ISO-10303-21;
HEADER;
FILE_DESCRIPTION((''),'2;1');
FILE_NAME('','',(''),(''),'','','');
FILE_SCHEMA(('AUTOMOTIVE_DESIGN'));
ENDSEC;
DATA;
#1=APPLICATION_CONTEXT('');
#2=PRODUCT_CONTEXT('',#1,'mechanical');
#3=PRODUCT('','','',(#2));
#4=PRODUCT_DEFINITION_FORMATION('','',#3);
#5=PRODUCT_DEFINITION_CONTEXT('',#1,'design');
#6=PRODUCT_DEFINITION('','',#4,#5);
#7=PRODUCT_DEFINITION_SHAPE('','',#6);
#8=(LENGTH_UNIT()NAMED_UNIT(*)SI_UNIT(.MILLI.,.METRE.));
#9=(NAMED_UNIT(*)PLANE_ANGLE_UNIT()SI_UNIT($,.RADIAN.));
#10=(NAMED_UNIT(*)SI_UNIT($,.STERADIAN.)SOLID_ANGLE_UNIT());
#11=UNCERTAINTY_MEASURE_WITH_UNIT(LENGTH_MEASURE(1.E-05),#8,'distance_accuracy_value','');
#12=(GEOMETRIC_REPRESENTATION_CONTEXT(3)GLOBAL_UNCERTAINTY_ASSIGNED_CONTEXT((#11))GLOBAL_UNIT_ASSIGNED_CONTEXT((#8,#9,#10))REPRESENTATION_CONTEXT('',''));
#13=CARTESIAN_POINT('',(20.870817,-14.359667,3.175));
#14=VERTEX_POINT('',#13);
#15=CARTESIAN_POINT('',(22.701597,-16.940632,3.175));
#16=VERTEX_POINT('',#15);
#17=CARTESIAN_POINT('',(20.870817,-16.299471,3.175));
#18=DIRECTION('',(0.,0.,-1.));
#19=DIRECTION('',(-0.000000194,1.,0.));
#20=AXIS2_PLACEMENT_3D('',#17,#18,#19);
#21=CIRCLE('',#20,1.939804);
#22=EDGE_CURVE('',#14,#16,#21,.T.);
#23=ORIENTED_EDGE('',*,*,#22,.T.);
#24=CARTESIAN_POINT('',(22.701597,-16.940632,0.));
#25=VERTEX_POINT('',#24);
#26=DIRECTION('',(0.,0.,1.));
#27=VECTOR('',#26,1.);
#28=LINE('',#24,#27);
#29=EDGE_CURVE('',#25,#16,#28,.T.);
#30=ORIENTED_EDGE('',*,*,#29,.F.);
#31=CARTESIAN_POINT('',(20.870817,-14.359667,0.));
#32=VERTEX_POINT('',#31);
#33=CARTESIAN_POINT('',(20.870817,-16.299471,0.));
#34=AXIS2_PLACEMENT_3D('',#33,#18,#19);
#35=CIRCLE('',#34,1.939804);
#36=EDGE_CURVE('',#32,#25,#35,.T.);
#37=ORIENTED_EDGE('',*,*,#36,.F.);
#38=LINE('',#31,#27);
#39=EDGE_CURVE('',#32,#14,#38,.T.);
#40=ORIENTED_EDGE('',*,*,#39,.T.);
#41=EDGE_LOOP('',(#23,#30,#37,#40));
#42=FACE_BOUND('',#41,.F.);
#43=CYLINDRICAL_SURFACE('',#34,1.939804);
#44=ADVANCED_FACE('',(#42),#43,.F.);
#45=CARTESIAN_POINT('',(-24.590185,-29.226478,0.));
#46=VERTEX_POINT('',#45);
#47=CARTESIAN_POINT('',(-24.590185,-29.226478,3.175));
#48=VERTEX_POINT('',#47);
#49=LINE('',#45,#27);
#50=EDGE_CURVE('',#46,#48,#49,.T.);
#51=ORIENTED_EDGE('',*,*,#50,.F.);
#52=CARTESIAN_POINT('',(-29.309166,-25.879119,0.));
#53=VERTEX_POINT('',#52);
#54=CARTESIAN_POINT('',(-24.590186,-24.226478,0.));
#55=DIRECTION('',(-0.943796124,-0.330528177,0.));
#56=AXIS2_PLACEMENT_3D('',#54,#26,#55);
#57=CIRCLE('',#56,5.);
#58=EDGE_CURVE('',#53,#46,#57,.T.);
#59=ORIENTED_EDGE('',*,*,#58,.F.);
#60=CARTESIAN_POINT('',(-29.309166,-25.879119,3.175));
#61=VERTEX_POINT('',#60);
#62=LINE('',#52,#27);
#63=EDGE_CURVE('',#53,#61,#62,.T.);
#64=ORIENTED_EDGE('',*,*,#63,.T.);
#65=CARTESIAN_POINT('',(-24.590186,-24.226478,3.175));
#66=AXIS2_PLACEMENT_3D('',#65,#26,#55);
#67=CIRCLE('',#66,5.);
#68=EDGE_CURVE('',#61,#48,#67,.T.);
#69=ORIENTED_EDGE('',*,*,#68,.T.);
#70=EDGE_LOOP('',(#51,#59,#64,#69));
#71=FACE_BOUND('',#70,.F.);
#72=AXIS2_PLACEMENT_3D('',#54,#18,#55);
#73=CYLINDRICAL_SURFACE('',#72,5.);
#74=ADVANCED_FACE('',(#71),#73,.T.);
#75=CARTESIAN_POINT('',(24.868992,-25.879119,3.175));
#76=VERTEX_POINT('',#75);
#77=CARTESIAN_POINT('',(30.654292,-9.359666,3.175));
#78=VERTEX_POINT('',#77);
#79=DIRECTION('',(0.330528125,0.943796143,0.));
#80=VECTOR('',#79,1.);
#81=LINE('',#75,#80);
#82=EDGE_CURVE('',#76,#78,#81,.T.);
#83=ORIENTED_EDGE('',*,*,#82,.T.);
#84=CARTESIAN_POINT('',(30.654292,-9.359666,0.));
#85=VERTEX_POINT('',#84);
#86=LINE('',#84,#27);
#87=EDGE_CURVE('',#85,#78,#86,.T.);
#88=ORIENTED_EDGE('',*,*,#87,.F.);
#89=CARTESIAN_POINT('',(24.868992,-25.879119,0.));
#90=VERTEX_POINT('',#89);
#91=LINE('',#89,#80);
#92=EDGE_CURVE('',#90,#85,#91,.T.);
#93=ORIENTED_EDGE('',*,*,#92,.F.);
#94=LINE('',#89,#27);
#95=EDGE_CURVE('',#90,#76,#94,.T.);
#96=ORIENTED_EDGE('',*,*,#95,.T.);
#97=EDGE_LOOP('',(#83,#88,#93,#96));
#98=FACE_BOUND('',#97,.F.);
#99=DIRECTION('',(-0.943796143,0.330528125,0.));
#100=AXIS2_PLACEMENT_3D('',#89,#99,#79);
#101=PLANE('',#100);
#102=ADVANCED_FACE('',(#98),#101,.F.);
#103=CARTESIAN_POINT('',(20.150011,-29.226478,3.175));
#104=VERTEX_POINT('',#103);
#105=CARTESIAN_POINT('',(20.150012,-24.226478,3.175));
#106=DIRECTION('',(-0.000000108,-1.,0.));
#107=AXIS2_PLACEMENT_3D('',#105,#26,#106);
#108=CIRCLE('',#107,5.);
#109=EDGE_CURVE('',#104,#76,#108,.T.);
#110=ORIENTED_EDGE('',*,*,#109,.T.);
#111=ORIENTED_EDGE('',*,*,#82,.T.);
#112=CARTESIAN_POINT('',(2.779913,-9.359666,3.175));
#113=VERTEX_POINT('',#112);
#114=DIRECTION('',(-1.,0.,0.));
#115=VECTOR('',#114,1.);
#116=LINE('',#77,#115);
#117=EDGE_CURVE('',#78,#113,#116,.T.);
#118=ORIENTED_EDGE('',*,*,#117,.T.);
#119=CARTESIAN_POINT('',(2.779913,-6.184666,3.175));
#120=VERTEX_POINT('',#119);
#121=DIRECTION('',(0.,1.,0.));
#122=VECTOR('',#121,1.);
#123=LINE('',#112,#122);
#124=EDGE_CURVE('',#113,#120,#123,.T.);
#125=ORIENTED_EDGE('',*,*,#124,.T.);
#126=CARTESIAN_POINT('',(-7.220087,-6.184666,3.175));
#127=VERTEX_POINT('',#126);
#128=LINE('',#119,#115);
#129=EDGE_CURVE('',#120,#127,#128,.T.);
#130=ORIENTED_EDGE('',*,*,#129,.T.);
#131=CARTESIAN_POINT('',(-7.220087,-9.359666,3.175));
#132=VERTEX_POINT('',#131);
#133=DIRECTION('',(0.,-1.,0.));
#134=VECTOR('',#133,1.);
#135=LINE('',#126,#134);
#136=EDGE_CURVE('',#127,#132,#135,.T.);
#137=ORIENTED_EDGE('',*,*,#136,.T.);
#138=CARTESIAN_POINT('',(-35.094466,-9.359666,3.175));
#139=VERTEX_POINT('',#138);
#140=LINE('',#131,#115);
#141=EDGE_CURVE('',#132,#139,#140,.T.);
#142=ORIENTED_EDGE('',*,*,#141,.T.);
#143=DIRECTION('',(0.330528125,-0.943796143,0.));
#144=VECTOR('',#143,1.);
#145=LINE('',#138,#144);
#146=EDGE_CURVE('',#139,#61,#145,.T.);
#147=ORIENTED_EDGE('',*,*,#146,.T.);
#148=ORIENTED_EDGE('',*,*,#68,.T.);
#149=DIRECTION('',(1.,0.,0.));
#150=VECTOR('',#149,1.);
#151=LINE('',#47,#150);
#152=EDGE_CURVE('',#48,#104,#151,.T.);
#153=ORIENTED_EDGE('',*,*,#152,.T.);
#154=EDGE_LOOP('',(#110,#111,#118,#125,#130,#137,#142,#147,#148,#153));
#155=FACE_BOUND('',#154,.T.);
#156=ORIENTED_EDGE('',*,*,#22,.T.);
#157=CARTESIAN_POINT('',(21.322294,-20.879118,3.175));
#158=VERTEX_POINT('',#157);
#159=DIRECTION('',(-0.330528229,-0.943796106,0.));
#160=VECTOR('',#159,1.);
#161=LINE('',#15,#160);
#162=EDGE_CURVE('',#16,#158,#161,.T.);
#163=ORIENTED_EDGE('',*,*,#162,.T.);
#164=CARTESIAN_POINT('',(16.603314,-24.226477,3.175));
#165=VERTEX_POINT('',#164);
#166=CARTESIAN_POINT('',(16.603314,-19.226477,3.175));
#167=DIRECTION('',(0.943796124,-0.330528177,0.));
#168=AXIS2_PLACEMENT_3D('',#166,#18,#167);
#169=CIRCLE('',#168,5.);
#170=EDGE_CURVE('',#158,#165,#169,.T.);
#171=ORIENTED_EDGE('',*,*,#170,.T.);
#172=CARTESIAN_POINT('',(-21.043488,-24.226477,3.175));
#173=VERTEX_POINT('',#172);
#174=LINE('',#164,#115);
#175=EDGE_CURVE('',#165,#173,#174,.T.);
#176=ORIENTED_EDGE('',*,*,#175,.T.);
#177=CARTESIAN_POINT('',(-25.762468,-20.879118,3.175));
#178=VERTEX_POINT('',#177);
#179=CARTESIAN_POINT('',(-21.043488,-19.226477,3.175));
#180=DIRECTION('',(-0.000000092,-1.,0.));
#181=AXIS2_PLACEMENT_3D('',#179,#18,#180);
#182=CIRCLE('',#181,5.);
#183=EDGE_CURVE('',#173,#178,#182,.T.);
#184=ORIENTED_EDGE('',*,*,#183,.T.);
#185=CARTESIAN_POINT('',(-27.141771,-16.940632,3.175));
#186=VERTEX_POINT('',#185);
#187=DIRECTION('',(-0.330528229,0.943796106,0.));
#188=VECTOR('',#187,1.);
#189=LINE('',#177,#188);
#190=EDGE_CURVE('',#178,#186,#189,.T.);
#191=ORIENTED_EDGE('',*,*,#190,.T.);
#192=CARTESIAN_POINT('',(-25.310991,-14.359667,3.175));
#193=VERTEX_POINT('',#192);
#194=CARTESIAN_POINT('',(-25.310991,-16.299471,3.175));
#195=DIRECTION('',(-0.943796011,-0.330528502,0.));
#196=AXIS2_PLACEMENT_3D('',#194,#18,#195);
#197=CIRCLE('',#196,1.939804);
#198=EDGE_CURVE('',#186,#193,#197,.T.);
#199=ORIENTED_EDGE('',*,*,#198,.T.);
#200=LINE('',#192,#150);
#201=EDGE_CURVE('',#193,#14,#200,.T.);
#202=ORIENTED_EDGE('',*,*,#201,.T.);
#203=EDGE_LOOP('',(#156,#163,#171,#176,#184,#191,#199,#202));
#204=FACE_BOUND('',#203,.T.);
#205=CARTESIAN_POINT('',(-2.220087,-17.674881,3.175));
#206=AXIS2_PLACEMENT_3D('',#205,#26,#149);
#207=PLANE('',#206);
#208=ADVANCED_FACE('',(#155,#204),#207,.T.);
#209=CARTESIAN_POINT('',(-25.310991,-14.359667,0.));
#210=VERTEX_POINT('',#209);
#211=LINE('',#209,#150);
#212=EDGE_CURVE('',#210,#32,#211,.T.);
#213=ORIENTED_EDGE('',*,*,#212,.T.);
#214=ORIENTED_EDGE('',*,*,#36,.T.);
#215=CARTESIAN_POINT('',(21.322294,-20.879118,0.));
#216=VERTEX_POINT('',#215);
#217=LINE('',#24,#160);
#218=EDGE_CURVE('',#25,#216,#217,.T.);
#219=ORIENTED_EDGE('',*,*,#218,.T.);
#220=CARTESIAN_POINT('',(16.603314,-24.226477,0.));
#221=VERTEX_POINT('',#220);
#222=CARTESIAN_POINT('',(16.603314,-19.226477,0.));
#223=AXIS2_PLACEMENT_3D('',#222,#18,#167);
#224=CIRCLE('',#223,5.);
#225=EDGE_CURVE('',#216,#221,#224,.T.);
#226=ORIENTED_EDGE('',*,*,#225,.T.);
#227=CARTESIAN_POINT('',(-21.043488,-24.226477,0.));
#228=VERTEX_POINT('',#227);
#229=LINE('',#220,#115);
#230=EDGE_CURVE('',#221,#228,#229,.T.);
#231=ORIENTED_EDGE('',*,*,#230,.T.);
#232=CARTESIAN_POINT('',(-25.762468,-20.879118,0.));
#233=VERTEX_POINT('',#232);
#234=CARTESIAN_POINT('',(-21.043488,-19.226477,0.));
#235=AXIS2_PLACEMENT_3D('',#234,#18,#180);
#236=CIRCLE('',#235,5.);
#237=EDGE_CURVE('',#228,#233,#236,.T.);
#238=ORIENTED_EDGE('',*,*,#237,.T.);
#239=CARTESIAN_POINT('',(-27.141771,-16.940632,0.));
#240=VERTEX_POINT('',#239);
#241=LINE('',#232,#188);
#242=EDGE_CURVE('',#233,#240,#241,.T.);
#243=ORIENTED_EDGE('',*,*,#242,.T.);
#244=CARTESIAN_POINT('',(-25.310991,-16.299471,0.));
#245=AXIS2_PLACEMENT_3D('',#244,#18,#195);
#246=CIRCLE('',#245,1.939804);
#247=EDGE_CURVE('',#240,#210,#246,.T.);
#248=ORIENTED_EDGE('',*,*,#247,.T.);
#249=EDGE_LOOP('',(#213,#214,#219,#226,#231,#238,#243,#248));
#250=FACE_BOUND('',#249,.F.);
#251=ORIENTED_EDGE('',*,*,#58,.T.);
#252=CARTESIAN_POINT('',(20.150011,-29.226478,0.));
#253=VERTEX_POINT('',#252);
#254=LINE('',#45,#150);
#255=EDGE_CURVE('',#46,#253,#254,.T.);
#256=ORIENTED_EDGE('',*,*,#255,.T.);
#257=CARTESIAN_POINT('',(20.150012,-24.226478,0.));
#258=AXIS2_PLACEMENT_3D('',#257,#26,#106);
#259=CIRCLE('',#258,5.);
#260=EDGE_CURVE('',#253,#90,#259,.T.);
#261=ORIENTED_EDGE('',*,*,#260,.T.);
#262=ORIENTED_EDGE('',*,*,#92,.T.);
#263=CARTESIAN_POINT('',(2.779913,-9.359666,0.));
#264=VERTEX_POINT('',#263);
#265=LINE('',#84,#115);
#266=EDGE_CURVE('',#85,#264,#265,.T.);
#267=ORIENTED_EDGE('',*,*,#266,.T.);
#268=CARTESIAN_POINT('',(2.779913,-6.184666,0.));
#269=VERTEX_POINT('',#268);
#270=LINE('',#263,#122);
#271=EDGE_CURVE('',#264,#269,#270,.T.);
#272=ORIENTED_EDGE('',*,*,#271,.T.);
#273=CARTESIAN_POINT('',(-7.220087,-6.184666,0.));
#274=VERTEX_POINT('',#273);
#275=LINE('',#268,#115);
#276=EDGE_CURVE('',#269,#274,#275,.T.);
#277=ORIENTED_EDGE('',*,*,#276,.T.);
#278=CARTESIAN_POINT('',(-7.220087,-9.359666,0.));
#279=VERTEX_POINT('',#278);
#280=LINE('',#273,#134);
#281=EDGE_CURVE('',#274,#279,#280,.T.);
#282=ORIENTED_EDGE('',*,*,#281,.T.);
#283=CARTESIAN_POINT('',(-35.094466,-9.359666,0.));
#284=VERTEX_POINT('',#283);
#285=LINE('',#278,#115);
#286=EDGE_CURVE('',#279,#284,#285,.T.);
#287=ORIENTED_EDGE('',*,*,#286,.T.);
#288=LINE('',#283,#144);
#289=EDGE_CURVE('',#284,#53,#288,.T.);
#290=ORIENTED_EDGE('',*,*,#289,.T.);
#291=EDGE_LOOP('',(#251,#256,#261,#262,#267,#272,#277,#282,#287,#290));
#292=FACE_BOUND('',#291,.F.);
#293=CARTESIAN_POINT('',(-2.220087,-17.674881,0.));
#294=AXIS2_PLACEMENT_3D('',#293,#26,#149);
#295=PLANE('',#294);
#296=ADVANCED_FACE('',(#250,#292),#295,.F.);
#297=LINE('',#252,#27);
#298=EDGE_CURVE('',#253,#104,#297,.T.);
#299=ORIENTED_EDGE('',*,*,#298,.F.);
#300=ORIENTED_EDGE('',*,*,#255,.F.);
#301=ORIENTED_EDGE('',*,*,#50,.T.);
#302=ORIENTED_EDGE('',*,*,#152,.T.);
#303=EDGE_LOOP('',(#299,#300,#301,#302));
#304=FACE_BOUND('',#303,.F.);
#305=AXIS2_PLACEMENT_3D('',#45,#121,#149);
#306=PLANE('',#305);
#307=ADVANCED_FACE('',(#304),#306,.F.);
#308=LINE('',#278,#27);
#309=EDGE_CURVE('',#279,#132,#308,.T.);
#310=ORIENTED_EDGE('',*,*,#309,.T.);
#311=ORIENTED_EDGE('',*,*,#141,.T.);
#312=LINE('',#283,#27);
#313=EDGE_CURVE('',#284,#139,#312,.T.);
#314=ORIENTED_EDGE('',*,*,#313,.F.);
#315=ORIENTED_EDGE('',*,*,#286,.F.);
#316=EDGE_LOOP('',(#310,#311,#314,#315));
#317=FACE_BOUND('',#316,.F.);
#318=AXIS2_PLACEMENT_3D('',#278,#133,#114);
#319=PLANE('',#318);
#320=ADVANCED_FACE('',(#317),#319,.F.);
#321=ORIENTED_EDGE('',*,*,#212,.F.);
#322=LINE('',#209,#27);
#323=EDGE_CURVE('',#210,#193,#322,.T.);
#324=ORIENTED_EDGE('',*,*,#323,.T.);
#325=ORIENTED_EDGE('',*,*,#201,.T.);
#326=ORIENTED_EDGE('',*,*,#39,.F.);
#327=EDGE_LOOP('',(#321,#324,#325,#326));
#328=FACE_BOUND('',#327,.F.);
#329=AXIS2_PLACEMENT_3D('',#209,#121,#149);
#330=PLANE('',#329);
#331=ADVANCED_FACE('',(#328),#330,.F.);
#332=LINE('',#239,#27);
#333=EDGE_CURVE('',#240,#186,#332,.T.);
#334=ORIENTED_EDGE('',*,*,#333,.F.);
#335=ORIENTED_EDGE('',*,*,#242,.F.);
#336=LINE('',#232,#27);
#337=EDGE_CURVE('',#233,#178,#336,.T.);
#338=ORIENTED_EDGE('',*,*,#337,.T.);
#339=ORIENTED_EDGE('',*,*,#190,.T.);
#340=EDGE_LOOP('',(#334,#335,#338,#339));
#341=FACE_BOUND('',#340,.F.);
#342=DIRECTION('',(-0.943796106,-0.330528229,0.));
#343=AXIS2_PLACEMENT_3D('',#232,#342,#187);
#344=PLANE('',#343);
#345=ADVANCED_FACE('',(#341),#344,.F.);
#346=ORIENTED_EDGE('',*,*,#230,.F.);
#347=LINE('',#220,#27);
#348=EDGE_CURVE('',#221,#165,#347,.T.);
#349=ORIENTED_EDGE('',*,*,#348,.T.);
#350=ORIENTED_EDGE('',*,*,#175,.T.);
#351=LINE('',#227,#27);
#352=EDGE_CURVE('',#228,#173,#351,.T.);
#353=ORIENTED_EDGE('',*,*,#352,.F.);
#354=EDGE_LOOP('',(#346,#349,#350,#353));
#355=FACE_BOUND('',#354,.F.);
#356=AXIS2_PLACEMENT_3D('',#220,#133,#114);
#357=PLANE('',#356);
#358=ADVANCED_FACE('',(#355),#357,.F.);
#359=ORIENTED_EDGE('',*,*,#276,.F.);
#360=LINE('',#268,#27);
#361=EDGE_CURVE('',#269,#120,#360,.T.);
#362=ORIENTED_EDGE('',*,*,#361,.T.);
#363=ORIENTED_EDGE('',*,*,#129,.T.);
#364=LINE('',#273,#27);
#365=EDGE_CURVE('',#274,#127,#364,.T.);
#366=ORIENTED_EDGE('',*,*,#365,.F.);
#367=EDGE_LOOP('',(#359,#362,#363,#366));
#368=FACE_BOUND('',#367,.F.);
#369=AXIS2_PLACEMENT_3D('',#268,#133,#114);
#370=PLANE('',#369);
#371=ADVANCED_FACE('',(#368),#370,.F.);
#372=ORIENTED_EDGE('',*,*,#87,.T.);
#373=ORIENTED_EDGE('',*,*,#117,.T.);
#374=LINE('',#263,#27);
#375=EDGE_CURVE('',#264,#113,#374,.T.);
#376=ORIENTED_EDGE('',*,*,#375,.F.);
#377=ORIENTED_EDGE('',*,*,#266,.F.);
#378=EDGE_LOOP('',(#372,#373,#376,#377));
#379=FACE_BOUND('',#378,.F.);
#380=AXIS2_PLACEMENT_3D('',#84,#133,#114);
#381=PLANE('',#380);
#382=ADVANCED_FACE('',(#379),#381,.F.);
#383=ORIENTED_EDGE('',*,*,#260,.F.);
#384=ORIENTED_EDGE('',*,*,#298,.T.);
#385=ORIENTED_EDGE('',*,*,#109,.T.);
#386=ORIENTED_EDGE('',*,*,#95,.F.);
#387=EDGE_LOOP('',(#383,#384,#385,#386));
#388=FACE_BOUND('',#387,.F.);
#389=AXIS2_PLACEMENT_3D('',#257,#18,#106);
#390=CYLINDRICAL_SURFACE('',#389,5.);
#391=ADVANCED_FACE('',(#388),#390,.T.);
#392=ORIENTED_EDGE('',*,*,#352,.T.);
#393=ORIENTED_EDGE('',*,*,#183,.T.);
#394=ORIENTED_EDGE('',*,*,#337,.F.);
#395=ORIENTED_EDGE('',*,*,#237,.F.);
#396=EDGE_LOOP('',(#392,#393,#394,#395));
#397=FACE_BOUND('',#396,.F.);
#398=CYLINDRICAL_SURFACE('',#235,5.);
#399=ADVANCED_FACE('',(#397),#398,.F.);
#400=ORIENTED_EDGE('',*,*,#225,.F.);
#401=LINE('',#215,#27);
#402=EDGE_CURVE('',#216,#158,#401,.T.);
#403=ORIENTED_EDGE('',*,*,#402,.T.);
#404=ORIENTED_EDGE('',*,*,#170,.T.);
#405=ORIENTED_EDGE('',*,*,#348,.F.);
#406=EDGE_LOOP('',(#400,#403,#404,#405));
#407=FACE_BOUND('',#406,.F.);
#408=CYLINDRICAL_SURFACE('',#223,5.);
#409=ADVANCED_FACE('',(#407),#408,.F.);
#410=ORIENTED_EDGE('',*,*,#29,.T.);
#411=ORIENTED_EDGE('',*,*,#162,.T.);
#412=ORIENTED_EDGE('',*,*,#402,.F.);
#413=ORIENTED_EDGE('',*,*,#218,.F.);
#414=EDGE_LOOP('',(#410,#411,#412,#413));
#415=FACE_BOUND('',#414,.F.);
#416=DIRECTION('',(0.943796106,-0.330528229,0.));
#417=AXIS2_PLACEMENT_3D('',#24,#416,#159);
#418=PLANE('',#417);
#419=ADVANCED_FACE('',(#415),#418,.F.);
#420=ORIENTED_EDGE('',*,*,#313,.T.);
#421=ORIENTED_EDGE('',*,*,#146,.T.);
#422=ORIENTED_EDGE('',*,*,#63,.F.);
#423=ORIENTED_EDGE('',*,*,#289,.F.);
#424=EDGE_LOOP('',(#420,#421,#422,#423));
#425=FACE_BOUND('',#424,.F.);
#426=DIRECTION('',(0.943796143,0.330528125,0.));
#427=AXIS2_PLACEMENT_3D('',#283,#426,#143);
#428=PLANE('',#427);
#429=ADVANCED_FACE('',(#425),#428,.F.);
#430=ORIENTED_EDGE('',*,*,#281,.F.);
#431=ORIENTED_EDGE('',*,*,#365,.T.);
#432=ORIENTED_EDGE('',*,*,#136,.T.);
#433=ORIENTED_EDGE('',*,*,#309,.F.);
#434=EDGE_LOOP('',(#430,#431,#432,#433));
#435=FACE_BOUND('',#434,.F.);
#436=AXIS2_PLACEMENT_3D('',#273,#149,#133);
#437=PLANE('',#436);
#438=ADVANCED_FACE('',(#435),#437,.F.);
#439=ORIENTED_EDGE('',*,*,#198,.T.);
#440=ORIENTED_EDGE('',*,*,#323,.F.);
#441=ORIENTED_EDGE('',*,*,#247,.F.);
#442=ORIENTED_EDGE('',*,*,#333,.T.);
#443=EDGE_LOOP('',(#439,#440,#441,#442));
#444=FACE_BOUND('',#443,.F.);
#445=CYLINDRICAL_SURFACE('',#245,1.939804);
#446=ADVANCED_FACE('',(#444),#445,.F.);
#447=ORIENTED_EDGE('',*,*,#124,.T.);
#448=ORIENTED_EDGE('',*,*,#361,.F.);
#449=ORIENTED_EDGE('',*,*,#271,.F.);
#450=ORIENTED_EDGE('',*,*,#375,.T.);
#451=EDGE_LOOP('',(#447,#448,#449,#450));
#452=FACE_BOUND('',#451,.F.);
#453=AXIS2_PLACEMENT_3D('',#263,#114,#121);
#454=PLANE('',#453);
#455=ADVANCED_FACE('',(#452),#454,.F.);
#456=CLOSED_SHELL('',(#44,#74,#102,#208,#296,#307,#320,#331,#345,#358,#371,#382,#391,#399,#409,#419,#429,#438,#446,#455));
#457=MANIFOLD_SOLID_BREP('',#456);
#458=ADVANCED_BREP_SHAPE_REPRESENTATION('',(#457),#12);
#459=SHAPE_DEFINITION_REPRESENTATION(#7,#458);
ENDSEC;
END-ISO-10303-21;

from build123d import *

# Parameters (mm, degrees)
F1_DEPTH = 3.175


with BuildPart() as f1:
    # F0 (on Top) → F1 (new body)
    with BuildSketch(Plane.XY):
        with BuildLine():
            Line((-7.220087, -9.359666), (-35.094466, -9.359666))
            Line((-35.094466, -9.359666), (-29.309166, -25.879119))
            ThreePointArc((-29.309166, -25.879119), (-27.483004, -28.304664), (-24.590185, -29.226478))
            Line((-24.590185, -29.226478), (20.150011, -29.226478))
            ThreePointArc((20.150011, -29.226478), (23.04283, -28.304664), (24.868992, -25.879119))
            Line((24.868992, -25.879119), (30.654292, -9.359666))
            Line((30.654292, -9.359666), (2.779913, -9.359666))
            Line((2.779913, -9.359666), (2.779913, -6.184666))
            Line((2.779913, -6.184666), (-2.220087, -6.184666))
            Line((-2.220087, -6.184666), (-7.220087, -6.184666))
            Line((-7.220087, -6.184666), (-7.220087, -9.359666))
        make_face()
        with BuildLine():
            Line((-7.220087, -14.359667), (2.779913, -14.359667))
            Line((2.779913, -14.359667), (20.870817, -14.359667))
            ThreePointArc((20.870817, -14.359667), (22.452994, -15.177171), (22.701597, -16.940632))
            Line((22.701597, -16.940632), (21.322294, -20.879118))
            ThreePointArc((21.322294, -20.879118), (19.496132, -23.304663), (16.603314, -24.226477))
            Line((16.603314, -24.226477), (-21.043488, -24.226477))
            ThreePointArc((-21.043488, -24.226477), (-23.936306, -23.304663), (-25.762468, -20.879118))
            Line((-25.762468, -20.879118), (-27.141771, -16.940632))
            ThreePointArc((-27.141771, -16.940632), (-26.893168, -15.177171), (-25.310991, -14.359667))
            Line((-25.310991, -14.359667), (-7.220087, -14.359667))
        make_face(mode=Mode.SUBTRACT)
    extrude(amount=F1_DEPTH)


solid = f1.part
